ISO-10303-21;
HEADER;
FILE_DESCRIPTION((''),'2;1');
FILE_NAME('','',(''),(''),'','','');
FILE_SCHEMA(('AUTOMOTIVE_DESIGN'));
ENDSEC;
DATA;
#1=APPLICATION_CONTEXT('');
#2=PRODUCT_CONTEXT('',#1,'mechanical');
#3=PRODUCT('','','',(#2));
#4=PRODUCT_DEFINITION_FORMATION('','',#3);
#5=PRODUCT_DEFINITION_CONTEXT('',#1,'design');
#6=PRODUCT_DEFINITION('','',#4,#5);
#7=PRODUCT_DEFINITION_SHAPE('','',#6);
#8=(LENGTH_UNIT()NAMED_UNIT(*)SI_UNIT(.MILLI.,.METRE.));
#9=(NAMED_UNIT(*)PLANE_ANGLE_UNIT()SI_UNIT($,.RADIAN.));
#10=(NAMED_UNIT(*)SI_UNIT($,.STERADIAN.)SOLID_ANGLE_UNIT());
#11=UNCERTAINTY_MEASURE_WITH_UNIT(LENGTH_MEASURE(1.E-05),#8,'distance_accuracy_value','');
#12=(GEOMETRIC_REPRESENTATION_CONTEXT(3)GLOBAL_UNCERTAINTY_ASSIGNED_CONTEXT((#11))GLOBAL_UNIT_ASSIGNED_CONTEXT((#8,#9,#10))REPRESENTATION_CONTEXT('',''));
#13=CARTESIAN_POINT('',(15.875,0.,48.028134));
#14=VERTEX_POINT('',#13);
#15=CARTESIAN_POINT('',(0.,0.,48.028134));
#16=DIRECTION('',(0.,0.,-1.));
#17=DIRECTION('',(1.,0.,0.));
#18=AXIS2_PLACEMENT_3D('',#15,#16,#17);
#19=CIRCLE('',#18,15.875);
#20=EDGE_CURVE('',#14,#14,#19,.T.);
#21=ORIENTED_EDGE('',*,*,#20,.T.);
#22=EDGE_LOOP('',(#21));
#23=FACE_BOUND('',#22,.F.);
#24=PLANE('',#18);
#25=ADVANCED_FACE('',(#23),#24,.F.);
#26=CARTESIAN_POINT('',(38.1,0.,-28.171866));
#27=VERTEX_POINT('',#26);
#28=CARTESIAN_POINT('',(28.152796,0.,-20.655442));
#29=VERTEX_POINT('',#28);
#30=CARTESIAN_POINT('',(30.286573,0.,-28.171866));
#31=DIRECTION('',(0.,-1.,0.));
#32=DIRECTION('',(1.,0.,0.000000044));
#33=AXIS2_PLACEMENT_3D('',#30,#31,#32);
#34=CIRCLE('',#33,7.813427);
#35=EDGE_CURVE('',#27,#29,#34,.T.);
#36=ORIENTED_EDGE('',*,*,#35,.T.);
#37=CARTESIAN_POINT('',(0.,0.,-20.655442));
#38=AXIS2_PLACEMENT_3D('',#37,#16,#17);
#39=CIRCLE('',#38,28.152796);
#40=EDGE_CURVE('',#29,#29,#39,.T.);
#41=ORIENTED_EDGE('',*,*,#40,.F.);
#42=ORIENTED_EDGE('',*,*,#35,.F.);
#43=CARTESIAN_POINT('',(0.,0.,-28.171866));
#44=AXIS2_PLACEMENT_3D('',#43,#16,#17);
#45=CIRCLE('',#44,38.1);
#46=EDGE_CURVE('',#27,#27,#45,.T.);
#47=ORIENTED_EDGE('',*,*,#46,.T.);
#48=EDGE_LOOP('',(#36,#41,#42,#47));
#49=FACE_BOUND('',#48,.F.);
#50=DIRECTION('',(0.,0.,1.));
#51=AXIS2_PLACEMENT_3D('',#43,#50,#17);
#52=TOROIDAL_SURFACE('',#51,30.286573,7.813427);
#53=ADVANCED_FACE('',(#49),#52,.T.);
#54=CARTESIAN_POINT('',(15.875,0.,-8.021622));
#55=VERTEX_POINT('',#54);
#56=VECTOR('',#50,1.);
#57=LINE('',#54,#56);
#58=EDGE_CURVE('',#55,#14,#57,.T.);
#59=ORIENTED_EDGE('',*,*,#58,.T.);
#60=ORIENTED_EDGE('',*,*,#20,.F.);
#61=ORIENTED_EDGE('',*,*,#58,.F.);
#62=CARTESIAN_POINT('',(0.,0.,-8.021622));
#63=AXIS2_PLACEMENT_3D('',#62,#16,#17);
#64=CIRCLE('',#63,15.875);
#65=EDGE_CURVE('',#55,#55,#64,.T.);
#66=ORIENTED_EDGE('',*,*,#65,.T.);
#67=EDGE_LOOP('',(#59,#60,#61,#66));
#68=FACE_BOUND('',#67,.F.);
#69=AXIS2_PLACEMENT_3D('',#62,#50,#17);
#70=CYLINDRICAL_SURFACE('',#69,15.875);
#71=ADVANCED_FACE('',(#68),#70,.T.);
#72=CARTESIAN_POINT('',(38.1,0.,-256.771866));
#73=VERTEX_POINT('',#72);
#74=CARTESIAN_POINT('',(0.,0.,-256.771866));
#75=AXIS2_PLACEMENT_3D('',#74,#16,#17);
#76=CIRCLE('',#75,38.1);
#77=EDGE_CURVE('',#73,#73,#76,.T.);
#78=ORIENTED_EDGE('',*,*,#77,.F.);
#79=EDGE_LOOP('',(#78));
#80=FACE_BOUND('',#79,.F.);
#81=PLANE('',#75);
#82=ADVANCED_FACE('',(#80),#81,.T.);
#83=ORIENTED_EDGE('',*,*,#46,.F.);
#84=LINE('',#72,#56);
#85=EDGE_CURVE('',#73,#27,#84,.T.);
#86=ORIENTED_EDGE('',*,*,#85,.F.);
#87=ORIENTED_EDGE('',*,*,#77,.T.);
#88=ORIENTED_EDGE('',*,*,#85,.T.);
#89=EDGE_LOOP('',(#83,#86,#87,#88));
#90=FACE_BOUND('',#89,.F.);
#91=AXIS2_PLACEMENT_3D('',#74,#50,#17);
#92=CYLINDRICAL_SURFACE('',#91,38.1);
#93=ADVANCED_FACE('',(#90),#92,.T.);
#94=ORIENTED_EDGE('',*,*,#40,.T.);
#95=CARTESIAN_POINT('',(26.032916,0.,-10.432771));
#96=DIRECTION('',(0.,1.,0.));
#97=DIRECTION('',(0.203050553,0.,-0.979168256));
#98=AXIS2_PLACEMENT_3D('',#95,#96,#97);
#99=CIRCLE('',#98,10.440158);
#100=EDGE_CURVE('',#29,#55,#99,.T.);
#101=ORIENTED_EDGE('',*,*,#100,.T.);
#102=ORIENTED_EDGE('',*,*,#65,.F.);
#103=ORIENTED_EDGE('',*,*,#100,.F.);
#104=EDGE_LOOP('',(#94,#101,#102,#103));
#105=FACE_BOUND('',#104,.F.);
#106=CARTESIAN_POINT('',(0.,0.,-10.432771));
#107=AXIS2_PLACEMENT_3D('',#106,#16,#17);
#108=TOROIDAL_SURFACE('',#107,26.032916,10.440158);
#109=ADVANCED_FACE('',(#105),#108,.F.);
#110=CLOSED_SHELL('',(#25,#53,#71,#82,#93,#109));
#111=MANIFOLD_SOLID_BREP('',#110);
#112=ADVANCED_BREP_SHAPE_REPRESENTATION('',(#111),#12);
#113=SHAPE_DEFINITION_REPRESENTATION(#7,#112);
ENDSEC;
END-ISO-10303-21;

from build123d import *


with BuildPart() as f1:
    # F0 (on Front) → F1 (revolve)
    with BuildSketch(Plane.XZ):
        with BuildLine():
            Line((15.875, 48.028134), (0, 48.028134))
            Line((0, 48.028134), (0, -256.771866))
            Line((0, -256.771866), (38.1, -256.771866))
            Line((38.1, -256.771866), (38.1, -28.171866))
            ThreePointArc((38.1, -28.171866), (34.997068, -21.938017), (28.152796, -20.655442))
            ThreePointArc((28.152796, -20.655442), (18.54587, -17.70883), (15.875, -8.021622))
            Line((15.875, -8.021622), (15.875, 48.028134))
        make_face()
    revolve(axis=Axis((0, 0, -104.371866), (0, 0, -1)))


solid = f1.part
